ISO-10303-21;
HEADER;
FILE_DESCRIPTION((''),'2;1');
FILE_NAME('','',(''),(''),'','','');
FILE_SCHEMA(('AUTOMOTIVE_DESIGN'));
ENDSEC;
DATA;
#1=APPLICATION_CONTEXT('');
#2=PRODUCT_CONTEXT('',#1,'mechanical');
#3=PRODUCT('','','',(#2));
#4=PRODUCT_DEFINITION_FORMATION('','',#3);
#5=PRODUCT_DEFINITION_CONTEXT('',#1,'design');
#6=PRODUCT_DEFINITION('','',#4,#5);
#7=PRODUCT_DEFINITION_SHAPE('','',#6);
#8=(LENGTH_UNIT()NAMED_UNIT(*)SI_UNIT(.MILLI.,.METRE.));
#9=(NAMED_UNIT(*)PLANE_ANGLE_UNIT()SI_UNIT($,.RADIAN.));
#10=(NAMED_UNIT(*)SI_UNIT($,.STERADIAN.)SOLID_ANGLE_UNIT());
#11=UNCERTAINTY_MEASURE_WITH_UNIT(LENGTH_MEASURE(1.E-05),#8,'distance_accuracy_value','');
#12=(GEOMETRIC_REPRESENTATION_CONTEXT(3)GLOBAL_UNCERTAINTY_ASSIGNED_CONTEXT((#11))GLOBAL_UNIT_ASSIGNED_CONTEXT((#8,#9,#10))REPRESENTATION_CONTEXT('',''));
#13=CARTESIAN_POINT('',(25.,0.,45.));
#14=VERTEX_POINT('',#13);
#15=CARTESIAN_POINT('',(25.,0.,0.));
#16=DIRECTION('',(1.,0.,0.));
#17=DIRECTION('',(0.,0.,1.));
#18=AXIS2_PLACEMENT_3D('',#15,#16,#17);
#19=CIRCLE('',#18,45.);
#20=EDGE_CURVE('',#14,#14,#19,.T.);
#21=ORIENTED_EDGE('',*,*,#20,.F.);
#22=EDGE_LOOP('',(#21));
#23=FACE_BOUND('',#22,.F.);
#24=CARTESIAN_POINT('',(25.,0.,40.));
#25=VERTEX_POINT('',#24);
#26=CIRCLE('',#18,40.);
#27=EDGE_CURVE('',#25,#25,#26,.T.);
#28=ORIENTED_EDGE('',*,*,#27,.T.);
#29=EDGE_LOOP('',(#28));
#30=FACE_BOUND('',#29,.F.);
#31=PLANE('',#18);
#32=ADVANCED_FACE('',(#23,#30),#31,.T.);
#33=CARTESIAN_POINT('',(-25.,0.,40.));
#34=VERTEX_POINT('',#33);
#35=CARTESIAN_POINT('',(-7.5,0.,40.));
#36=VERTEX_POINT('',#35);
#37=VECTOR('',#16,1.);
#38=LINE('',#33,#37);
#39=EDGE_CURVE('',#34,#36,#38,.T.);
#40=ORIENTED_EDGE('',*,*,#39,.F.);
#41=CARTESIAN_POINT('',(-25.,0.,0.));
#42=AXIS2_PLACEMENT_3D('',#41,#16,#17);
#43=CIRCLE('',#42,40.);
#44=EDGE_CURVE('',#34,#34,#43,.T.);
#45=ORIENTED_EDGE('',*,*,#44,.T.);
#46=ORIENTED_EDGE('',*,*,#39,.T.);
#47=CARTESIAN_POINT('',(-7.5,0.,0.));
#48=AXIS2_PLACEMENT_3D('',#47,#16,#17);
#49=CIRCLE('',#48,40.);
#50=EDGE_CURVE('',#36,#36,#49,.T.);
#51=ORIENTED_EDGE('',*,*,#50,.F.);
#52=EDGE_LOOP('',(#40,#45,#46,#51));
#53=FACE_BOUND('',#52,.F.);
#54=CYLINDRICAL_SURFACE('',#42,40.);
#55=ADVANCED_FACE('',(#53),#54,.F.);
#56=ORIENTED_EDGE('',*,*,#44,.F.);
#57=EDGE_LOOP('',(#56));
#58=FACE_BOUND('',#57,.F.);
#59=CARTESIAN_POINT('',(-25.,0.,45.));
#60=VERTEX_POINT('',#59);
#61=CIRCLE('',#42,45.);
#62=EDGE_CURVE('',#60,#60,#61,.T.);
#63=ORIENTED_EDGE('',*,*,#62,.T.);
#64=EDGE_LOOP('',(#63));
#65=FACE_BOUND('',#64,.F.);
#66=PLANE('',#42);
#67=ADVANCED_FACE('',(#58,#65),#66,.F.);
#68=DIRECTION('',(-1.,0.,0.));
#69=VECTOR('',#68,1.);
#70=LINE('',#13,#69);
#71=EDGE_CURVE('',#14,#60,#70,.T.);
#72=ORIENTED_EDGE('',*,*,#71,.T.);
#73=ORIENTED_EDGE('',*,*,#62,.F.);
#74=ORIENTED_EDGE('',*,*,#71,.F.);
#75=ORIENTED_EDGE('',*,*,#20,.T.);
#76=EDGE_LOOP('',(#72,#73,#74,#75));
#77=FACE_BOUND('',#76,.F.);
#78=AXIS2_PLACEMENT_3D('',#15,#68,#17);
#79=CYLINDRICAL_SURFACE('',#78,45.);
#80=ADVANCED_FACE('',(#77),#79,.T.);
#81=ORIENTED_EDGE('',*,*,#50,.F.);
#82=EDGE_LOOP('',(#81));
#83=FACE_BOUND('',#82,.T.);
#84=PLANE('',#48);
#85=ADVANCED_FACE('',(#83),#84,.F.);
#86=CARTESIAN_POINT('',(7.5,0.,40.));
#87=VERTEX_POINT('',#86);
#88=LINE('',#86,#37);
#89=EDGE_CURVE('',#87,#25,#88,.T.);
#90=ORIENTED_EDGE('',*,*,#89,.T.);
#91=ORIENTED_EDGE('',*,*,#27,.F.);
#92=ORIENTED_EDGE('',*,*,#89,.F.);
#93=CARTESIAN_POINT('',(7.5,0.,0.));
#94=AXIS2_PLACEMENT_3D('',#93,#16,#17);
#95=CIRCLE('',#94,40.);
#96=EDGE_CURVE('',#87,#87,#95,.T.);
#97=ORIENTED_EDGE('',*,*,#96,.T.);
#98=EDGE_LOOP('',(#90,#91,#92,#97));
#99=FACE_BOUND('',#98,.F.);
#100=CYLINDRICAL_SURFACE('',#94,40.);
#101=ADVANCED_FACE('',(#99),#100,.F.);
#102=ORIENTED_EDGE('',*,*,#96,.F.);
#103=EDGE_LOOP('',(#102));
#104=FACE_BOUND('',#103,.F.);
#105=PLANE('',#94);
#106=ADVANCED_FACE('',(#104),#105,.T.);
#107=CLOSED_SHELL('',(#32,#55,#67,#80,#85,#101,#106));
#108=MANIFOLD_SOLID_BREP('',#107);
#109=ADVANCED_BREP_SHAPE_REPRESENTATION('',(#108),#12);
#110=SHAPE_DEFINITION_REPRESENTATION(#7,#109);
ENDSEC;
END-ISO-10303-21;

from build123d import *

# Parameters (mm, degrees)
F0_W = 15
F0_H = 40


with BuildPart() as f1:
    # F0 (on Front) → F1 (revolve)
    with BuildSketch(Plane.XZ):
        with Locations((0, 20)):
            Rectangle(F0_W, F0_H)
        Polygon((-25, 40), (-7.5, 40), (7.5, 40), (25, 40), (25, 45), (-25, 45), align=None)
    revolve(axis=Axis((0, 0, 0), (1, 0, 0)))


solid = f1.part
